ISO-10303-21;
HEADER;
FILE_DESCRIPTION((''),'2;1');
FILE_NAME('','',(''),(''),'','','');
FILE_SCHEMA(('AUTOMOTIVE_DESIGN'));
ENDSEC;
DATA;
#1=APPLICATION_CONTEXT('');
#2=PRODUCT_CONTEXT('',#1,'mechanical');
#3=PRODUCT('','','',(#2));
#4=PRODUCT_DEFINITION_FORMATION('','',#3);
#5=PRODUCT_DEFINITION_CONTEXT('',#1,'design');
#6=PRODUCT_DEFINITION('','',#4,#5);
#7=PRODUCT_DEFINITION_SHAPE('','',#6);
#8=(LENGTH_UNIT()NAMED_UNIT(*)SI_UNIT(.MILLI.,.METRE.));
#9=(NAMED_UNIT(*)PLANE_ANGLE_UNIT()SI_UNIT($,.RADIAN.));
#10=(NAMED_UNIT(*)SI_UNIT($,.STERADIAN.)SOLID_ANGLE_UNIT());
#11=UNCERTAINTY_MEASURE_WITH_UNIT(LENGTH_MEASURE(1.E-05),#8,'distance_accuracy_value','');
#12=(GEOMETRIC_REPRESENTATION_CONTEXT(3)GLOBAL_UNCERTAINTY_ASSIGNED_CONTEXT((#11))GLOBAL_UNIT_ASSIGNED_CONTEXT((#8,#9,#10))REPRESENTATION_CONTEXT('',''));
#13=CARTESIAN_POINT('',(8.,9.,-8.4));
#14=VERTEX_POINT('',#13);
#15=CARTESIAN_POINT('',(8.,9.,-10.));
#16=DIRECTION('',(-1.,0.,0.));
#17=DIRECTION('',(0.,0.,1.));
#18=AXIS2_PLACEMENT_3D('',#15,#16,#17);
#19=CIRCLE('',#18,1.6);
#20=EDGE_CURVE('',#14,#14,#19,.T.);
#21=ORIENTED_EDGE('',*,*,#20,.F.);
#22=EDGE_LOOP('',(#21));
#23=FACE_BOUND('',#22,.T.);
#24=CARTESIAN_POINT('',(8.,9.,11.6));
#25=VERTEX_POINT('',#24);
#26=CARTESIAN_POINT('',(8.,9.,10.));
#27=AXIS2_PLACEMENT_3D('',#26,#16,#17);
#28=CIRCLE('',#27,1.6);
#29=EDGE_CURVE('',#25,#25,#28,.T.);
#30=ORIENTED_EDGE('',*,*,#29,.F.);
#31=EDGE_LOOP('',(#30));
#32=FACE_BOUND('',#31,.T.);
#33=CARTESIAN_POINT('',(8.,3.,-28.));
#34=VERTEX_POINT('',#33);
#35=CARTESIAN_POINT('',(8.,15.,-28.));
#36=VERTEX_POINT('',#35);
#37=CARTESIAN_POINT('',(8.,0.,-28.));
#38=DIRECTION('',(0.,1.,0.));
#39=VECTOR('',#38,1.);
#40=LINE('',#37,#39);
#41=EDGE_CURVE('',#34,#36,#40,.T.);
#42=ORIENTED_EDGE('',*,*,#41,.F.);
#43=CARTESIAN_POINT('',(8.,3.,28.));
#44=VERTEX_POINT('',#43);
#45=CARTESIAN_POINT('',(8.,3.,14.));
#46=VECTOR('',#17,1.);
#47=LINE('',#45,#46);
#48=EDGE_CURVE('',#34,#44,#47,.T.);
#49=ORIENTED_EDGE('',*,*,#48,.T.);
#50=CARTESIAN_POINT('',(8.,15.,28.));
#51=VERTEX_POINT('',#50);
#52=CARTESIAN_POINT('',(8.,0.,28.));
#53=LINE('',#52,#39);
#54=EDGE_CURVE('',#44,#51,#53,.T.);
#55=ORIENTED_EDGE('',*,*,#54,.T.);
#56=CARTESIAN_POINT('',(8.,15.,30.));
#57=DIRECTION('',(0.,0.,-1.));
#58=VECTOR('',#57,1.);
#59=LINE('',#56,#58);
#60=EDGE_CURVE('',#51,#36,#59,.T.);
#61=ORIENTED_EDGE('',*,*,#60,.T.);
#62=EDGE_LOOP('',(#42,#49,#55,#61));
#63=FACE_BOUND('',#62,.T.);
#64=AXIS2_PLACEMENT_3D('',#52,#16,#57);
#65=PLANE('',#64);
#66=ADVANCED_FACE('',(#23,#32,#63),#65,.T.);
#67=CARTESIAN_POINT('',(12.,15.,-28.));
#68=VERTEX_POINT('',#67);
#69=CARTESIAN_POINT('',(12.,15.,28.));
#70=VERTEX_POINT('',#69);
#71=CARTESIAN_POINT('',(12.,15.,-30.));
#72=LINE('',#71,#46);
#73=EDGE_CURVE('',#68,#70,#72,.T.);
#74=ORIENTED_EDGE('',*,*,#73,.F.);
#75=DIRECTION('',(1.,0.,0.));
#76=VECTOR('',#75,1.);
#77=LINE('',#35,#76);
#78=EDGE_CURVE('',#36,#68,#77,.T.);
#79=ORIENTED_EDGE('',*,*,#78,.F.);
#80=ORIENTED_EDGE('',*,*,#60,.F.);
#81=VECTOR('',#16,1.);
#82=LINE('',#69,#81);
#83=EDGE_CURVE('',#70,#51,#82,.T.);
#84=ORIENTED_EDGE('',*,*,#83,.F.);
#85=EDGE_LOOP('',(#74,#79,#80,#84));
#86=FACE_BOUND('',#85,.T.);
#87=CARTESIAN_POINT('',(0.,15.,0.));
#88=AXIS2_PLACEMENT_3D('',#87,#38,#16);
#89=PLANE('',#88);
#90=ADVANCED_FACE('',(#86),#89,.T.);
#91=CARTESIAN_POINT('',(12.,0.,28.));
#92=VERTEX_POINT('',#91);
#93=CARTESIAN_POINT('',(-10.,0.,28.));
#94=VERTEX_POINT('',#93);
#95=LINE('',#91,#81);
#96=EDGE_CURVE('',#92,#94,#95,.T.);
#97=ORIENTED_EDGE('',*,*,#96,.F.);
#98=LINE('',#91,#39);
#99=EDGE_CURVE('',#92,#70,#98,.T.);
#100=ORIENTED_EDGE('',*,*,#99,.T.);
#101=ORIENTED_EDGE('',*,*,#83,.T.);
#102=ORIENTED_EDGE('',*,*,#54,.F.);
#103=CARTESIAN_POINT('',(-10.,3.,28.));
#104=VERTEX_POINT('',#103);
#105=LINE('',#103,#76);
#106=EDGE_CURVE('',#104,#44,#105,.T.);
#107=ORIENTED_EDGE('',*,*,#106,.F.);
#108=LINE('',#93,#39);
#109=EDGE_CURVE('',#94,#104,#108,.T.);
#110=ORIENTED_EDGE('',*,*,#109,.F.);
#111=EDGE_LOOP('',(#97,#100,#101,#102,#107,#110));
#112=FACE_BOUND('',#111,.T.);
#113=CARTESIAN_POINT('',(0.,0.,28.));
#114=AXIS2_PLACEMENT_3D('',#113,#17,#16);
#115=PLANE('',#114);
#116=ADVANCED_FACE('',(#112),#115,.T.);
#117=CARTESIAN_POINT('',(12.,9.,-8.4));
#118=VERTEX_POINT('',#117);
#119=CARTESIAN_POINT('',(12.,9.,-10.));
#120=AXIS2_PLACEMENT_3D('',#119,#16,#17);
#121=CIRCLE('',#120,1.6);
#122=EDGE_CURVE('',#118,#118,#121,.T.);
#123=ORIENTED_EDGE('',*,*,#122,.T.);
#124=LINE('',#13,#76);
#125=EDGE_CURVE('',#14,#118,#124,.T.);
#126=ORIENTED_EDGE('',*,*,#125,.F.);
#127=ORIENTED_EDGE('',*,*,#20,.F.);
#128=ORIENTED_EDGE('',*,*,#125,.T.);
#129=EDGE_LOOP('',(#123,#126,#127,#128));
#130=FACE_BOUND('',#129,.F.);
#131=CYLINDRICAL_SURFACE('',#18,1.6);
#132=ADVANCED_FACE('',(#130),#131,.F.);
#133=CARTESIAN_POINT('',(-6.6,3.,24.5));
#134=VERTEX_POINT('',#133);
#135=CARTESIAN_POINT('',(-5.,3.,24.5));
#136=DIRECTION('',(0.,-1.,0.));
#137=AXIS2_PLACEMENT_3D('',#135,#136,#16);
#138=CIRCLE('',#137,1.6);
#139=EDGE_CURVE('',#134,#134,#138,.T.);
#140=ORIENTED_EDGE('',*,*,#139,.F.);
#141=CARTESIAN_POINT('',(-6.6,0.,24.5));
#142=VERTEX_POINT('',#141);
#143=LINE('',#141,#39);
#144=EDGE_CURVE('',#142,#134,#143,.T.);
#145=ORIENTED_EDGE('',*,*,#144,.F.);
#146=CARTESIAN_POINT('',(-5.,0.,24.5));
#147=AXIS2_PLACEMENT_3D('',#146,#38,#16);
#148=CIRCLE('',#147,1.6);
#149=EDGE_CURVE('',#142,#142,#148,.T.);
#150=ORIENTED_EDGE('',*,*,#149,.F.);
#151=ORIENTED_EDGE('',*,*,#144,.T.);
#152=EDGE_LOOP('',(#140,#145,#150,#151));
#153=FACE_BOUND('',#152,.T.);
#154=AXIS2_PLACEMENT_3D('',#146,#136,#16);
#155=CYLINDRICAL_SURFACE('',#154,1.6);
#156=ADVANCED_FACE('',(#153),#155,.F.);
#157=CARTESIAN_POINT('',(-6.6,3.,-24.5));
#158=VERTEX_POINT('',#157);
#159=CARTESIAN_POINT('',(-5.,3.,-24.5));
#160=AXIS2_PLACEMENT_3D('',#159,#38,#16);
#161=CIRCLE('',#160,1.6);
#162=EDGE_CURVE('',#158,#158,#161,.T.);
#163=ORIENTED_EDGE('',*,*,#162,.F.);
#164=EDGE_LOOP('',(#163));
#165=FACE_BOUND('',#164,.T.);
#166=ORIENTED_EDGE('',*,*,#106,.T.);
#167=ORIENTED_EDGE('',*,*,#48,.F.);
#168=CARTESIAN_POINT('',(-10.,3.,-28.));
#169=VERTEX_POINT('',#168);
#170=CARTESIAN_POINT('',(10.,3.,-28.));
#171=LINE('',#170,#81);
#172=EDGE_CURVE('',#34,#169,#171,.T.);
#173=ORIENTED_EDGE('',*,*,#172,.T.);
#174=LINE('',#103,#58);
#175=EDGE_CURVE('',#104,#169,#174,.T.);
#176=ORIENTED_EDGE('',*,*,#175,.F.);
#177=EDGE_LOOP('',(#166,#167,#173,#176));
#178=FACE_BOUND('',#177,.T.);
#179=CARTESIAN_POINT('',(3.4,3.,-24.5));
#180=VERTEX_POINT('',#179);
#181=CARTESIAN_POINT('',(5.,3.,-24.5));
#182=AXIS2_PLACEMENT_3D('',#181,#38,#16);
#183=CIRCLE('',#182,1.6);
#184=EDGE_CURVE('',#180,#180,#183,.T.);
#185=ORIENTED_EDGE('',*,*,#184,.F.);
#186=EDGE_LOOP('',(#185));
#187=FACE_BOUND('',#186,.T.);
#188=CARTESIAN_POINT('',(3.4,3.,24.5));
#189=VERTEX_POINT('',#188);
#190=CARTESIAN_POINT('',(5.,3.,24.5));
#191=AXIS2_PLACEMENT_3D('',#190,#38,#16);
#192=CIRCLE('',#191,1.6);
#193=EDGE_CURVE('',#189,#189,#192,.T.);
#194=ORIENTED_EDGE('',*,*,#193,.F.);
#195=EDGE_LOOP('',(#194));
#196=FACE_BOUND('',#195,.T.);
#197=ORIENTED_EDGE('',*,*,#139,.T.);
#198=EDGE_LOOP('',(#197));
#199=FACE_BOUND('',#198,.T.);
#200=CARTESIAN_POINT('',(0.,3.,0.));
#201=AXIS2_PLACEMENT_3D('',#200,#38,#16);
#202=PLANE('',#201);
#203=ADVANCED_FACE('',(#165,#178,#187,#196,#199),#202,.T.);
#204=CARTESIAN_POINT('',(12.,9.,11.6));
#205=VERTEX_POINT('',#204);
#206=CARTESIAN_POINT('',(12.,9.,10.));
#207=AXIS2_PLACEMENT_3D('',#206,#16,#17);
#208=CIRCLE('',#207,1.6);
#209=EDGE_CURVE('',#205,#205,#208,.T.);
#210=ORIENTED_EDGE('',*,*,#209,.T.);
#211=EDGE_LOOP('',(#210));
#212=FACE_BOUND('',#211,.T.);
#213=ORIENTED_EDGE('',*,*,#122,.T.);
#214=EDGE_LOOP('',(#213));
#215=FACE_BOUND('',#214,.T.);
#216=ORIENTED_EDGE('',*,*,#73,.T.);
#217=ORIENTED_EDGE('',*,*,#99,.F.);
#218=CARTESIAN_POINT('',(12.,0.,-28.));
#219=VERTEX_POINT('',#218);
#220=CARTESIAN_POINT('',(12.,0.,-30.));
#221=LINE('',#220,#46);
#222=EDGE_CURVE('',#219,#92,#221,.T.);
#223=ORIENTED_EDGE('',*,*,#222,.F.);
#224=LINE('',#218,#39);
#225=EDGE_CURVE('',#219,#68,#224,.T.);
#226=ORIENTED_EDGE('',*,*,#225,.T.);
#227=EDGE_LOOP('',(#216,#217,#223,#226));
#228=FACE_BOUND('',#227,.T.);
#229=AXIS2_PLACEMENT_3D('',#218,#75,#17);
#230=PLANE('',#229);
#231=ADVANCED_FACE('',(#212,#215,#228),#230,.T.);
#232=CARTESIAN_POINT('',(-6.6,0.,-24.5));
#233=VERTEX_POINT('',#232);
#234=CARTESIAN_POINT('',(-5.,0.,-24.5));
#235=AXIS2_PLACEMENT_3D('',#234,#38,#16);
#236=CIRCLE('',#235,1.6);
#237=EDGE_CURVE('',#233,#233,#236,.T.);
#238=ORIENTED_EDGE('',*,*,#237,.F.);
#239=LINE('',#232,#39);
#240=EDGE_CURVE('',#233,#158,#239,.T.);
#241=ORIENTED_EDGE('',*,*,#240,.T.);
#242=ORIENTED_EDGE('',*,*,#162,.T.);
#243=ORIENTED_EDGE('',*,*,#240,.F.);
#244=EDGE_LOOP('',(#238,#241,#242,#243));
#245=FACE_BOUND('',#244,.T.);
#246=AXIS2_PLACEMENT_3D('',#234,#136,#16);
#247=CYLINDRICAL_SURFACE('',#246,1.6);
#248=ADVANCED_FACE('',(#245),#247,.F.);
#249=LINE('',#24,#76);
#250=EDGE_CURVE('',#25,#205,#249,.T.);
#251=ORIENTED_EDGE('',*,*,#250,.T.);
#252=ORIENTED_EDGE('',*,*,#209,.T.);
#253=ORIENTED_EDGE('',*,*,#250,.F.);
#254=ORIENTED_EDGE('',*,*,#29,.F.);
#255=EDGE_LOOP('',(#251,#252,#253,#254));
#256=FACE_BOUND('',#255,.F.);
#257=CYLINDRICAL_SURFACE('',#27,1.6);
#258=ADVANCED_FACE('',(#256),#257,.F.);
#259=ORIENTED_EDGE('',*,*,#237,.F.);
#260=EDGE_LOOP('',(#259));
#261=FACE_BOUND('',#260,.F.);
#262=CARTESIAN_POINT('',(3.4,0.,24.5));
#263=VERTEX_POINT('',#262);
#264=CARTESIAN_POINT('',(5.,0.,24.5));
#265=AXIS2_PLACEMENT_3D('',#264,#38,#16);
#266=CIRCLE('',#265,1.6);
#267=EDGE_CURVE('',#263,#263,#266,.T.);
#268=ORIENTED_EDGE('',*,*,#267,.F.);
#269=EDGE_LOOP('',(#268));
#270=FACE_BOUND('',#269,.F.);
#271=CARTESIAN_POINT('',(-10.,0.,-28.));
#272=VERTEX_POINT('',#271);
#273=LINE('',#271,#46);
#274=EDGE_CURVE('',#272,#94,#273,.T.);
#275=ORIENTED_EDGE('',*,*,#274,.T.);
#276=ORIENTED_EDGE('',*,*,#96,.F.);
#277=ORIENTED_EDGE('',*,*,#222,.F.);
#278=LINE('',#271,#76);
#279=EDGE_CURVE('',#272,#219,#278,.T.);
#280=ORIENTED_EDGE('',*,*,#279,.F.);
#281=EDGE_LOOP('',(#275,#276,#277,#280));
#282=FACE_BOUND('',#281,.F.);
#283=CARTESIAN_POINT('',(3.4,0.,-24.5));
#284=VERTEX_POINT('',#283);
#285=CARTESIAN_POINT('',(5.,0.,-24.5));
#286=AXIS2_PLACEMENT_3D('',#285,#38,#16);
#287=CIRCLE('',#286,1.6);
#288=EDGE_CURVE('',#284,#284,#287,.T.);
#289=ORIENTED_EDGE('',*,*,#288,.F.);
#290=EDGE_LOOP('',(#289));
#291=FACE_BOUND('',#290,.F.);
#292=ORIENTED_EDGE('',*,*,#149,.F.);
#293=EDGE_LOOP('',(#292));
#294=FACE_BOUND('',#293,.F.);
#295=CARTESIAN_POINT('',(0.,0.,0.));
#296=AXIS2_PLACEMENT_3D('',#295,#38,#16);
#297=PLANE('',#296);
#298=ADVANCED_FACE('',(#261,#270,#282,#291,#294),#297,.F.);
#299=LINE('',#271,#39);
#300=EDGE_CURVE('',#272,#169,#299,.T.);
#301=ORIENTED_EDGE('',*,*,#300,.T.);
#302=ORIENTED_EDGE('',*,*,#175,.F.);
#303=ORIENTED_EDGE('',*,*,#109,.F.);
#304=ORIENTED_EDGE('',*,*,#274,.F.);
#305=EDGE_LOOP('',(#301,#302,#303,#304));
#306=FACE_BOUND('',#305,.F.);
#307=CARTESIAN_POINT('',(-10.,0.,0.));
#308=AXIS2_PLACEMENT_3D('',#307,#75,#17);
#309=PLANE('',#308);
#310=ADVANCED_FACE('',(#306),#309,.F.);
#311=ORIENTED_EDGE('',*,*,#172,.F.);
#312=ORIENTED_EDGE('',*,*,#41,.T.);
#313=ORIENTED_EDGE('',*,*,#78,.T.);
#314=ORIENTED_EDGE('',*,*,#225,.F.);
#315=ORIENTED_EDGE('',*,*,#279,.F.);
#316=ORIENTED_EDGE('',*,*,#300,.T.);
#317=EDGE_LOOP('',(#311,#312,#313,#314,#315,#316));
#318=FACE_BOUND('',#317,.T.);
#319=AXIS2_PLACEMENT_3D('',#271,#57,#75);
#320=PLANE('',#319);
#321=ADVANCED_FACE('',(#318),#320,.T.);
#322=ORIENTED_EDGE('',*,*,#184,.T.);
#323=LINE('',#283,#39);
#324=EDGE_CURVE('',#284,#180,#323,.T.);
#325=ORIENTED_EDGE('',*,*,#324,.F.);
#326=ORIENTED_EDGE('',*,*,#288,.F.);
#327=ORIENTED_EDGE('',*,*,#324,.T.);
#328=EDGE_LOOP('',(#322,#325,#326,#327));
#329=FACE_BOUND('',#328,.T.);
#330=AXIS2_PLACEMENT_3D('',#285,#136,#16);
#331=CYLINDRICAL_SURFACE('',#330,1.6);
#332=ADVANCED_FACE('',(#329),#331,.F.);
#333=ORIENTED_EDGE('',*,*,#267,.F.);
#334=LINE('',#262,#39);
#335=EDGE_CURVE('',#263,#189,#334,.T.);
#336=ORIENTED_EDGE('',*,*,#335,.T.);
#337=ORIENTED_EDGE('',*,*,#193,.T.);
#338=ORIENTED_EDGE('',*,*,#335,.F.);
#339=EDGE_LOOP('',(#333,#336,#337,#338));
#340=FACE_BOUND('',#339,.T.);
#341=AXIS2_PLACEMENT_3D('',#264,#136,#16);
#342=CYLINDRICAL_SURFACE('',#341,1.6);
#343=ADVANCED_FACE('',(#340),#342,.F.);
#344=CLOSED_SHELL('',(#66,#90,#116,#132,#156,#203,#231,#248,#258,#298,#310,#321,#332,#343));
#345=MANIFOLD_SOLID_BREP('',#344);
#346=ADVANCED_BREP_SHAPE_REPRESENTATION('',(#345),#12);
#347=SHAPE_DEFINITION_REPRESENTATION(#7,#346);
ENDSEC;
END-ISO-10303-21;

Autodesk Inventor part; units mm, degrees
ref_plane "YZ Plane" through (0, 0, 0) normal (1, 0, 0) x (0, 1, 0)
ref_plane "XZ Plane" through (0, 0, 0) normal (0, 1, 0) x (-1, 0, 0)
ref_plane "XY Plane" through (0, 0, 0) normal (0, 0, 1) x (1, 0, 0)
sketch "Sketch1" plane through (0, 0, 0) normal (0, 1, 0) x (-1, 0, 0)
  line L0 (14.3928, 0) -> (-16, 0) construction
  line L1 (0, 16.4961) -> (0, -25.3301) construction
  circle A0 centre (5, 24.5) radius 1.6
  line L2 (10, 24.5) -> (10, 30)
  line L3 (10, 30) -> (5, 30)
  line L4 (5, 30) -> (0, 30)
  line L5 (0, 30) -> (0, 24.5)
  line L6 (5, 24.5) -> (5, 26.1)
  line L7 (0, 24.5) -> (0, 0)
  line L8 (0, 0) -> (10, 0)
  line L9 (10, 0) -> (10, 24.5)
  circle A1 centre (5, -24.5) radius 1.6
  line L10 (10, -24.5) -> (10, -30)
  line L11 (10, -30) -> (5, -30)
  line L12 (5, -30) -> (0, -30)
  line L13 (0, -30) -> (0, -24.5)
  line L14 (0, -24.5) -> (0, 0)
  line L15 (10, 0) -> (10, -24.5)
  circle A2 centre (-5, 24.5) radius 1.6
  line L16 (-10, 24.5) -> (-10, 30)
  line L17 (-10, 30) -> (-5, 30)
  line L18 (-5, 30) -> (0, 30)
  line L19 (-10, 0) -> (-10, 24.5)
  circle A3 centre (-5, -24.5) radius 1.6
  line L20 (-10, -24.5) -> (-10, -30)
  line L21 (-10, -30) -> (-5, -30)
  line L22 (-5, -30) -> (0, -30)
  line L23 (-10, 0) -> (-10, -24.5)
  line L24 (-10, 30) -> (-8, 30)
  line L25 (-8, 30) -> (-8, -30)
  line L26 (-8, -30) -> (-10, -30)
  line L27 (-10, -30) -> (-10, 30)
  line L28 (10, 30) -> (-10, 30)
  line L29 (-10, 30) -> (-10, 28)
  line L30 (-10, 28) -> (10, 28)
  line L31 (10, 28) -> (10, 30)
  line L32 (-10, -30) -> (10, -30)
  line L33 (10, -30) -> (10, -28)
  line L34 (10, -28) -> (-10, -28)
  line L35 (-10, -28) -> (-10, -30)
  line L36 (-10, -30) -> (-12, -30)
  line L37 (-12, -30) -> (-12, 30)
  line L38 (-12, 30) -> (-10, 30)
  line L39 (-10, 30) -> (-10, -30)
  line L40 (-10, -28) -> (-12, -28)
  line L41 (-10, 28) -> (-12, 28)
  point P0 (5, 27.25)
  point P1 (-8, -28)
  point P2 (-8, 28)
  dimension "d0" = 3.2
  dimension "d2" = 24.5
  dimension "d3" = 5
  dimension "d6" = 2
extrude "Extrusion1" add sketch "Sketch1" along normal blind 3 contours L9 L8 L7 L5 L30 L2 | L15 L10 L34 L13 L14 L8 | L5 L7 L14 L13 L34 L25 L30 | L25 L34 L20 L23 L19 L16 L30
extrude "Extrusion2" add sketch "Sketch1" along normal blind 15 contours L25 L34 L20 L23 L19 L16 L30 | L16 L19 L23 L20 L40 L37 L41
sketch "Sketch2" plane through (8, 3, 30) normal (-1, 0, 0) x (0, 0, 1)
  line L0 (-58, 12) -> (-2, 12) projected
  line L1 (-30, 12) -> (-30, 0)
  line L2 (-2, 0) -> (-58, 0) projected
  circle A0 centre (-20, 6) radius 1.6
  circle A1 centre (-20, 6) radius 2.75
  circle A2 centre (-40, 6) radius 1.6
  circle A3 centre (-40, 6) radius 2.75
  point P0 (-30, -3)
  point P1 (-60, 12)
  point P2 (0, 12)
  point P3 (0, 0)
  point P4 (-60, 0)
  dimension "d9" = 3.2
  dimension "d10" = 5.5
  dimension "d13" = 10
extrude "Extrusion3" cut sketch "Sketch2" against normal blind 15 contours A0 | A2
properties part number "Holder Servo Lifter_3DPrint"
